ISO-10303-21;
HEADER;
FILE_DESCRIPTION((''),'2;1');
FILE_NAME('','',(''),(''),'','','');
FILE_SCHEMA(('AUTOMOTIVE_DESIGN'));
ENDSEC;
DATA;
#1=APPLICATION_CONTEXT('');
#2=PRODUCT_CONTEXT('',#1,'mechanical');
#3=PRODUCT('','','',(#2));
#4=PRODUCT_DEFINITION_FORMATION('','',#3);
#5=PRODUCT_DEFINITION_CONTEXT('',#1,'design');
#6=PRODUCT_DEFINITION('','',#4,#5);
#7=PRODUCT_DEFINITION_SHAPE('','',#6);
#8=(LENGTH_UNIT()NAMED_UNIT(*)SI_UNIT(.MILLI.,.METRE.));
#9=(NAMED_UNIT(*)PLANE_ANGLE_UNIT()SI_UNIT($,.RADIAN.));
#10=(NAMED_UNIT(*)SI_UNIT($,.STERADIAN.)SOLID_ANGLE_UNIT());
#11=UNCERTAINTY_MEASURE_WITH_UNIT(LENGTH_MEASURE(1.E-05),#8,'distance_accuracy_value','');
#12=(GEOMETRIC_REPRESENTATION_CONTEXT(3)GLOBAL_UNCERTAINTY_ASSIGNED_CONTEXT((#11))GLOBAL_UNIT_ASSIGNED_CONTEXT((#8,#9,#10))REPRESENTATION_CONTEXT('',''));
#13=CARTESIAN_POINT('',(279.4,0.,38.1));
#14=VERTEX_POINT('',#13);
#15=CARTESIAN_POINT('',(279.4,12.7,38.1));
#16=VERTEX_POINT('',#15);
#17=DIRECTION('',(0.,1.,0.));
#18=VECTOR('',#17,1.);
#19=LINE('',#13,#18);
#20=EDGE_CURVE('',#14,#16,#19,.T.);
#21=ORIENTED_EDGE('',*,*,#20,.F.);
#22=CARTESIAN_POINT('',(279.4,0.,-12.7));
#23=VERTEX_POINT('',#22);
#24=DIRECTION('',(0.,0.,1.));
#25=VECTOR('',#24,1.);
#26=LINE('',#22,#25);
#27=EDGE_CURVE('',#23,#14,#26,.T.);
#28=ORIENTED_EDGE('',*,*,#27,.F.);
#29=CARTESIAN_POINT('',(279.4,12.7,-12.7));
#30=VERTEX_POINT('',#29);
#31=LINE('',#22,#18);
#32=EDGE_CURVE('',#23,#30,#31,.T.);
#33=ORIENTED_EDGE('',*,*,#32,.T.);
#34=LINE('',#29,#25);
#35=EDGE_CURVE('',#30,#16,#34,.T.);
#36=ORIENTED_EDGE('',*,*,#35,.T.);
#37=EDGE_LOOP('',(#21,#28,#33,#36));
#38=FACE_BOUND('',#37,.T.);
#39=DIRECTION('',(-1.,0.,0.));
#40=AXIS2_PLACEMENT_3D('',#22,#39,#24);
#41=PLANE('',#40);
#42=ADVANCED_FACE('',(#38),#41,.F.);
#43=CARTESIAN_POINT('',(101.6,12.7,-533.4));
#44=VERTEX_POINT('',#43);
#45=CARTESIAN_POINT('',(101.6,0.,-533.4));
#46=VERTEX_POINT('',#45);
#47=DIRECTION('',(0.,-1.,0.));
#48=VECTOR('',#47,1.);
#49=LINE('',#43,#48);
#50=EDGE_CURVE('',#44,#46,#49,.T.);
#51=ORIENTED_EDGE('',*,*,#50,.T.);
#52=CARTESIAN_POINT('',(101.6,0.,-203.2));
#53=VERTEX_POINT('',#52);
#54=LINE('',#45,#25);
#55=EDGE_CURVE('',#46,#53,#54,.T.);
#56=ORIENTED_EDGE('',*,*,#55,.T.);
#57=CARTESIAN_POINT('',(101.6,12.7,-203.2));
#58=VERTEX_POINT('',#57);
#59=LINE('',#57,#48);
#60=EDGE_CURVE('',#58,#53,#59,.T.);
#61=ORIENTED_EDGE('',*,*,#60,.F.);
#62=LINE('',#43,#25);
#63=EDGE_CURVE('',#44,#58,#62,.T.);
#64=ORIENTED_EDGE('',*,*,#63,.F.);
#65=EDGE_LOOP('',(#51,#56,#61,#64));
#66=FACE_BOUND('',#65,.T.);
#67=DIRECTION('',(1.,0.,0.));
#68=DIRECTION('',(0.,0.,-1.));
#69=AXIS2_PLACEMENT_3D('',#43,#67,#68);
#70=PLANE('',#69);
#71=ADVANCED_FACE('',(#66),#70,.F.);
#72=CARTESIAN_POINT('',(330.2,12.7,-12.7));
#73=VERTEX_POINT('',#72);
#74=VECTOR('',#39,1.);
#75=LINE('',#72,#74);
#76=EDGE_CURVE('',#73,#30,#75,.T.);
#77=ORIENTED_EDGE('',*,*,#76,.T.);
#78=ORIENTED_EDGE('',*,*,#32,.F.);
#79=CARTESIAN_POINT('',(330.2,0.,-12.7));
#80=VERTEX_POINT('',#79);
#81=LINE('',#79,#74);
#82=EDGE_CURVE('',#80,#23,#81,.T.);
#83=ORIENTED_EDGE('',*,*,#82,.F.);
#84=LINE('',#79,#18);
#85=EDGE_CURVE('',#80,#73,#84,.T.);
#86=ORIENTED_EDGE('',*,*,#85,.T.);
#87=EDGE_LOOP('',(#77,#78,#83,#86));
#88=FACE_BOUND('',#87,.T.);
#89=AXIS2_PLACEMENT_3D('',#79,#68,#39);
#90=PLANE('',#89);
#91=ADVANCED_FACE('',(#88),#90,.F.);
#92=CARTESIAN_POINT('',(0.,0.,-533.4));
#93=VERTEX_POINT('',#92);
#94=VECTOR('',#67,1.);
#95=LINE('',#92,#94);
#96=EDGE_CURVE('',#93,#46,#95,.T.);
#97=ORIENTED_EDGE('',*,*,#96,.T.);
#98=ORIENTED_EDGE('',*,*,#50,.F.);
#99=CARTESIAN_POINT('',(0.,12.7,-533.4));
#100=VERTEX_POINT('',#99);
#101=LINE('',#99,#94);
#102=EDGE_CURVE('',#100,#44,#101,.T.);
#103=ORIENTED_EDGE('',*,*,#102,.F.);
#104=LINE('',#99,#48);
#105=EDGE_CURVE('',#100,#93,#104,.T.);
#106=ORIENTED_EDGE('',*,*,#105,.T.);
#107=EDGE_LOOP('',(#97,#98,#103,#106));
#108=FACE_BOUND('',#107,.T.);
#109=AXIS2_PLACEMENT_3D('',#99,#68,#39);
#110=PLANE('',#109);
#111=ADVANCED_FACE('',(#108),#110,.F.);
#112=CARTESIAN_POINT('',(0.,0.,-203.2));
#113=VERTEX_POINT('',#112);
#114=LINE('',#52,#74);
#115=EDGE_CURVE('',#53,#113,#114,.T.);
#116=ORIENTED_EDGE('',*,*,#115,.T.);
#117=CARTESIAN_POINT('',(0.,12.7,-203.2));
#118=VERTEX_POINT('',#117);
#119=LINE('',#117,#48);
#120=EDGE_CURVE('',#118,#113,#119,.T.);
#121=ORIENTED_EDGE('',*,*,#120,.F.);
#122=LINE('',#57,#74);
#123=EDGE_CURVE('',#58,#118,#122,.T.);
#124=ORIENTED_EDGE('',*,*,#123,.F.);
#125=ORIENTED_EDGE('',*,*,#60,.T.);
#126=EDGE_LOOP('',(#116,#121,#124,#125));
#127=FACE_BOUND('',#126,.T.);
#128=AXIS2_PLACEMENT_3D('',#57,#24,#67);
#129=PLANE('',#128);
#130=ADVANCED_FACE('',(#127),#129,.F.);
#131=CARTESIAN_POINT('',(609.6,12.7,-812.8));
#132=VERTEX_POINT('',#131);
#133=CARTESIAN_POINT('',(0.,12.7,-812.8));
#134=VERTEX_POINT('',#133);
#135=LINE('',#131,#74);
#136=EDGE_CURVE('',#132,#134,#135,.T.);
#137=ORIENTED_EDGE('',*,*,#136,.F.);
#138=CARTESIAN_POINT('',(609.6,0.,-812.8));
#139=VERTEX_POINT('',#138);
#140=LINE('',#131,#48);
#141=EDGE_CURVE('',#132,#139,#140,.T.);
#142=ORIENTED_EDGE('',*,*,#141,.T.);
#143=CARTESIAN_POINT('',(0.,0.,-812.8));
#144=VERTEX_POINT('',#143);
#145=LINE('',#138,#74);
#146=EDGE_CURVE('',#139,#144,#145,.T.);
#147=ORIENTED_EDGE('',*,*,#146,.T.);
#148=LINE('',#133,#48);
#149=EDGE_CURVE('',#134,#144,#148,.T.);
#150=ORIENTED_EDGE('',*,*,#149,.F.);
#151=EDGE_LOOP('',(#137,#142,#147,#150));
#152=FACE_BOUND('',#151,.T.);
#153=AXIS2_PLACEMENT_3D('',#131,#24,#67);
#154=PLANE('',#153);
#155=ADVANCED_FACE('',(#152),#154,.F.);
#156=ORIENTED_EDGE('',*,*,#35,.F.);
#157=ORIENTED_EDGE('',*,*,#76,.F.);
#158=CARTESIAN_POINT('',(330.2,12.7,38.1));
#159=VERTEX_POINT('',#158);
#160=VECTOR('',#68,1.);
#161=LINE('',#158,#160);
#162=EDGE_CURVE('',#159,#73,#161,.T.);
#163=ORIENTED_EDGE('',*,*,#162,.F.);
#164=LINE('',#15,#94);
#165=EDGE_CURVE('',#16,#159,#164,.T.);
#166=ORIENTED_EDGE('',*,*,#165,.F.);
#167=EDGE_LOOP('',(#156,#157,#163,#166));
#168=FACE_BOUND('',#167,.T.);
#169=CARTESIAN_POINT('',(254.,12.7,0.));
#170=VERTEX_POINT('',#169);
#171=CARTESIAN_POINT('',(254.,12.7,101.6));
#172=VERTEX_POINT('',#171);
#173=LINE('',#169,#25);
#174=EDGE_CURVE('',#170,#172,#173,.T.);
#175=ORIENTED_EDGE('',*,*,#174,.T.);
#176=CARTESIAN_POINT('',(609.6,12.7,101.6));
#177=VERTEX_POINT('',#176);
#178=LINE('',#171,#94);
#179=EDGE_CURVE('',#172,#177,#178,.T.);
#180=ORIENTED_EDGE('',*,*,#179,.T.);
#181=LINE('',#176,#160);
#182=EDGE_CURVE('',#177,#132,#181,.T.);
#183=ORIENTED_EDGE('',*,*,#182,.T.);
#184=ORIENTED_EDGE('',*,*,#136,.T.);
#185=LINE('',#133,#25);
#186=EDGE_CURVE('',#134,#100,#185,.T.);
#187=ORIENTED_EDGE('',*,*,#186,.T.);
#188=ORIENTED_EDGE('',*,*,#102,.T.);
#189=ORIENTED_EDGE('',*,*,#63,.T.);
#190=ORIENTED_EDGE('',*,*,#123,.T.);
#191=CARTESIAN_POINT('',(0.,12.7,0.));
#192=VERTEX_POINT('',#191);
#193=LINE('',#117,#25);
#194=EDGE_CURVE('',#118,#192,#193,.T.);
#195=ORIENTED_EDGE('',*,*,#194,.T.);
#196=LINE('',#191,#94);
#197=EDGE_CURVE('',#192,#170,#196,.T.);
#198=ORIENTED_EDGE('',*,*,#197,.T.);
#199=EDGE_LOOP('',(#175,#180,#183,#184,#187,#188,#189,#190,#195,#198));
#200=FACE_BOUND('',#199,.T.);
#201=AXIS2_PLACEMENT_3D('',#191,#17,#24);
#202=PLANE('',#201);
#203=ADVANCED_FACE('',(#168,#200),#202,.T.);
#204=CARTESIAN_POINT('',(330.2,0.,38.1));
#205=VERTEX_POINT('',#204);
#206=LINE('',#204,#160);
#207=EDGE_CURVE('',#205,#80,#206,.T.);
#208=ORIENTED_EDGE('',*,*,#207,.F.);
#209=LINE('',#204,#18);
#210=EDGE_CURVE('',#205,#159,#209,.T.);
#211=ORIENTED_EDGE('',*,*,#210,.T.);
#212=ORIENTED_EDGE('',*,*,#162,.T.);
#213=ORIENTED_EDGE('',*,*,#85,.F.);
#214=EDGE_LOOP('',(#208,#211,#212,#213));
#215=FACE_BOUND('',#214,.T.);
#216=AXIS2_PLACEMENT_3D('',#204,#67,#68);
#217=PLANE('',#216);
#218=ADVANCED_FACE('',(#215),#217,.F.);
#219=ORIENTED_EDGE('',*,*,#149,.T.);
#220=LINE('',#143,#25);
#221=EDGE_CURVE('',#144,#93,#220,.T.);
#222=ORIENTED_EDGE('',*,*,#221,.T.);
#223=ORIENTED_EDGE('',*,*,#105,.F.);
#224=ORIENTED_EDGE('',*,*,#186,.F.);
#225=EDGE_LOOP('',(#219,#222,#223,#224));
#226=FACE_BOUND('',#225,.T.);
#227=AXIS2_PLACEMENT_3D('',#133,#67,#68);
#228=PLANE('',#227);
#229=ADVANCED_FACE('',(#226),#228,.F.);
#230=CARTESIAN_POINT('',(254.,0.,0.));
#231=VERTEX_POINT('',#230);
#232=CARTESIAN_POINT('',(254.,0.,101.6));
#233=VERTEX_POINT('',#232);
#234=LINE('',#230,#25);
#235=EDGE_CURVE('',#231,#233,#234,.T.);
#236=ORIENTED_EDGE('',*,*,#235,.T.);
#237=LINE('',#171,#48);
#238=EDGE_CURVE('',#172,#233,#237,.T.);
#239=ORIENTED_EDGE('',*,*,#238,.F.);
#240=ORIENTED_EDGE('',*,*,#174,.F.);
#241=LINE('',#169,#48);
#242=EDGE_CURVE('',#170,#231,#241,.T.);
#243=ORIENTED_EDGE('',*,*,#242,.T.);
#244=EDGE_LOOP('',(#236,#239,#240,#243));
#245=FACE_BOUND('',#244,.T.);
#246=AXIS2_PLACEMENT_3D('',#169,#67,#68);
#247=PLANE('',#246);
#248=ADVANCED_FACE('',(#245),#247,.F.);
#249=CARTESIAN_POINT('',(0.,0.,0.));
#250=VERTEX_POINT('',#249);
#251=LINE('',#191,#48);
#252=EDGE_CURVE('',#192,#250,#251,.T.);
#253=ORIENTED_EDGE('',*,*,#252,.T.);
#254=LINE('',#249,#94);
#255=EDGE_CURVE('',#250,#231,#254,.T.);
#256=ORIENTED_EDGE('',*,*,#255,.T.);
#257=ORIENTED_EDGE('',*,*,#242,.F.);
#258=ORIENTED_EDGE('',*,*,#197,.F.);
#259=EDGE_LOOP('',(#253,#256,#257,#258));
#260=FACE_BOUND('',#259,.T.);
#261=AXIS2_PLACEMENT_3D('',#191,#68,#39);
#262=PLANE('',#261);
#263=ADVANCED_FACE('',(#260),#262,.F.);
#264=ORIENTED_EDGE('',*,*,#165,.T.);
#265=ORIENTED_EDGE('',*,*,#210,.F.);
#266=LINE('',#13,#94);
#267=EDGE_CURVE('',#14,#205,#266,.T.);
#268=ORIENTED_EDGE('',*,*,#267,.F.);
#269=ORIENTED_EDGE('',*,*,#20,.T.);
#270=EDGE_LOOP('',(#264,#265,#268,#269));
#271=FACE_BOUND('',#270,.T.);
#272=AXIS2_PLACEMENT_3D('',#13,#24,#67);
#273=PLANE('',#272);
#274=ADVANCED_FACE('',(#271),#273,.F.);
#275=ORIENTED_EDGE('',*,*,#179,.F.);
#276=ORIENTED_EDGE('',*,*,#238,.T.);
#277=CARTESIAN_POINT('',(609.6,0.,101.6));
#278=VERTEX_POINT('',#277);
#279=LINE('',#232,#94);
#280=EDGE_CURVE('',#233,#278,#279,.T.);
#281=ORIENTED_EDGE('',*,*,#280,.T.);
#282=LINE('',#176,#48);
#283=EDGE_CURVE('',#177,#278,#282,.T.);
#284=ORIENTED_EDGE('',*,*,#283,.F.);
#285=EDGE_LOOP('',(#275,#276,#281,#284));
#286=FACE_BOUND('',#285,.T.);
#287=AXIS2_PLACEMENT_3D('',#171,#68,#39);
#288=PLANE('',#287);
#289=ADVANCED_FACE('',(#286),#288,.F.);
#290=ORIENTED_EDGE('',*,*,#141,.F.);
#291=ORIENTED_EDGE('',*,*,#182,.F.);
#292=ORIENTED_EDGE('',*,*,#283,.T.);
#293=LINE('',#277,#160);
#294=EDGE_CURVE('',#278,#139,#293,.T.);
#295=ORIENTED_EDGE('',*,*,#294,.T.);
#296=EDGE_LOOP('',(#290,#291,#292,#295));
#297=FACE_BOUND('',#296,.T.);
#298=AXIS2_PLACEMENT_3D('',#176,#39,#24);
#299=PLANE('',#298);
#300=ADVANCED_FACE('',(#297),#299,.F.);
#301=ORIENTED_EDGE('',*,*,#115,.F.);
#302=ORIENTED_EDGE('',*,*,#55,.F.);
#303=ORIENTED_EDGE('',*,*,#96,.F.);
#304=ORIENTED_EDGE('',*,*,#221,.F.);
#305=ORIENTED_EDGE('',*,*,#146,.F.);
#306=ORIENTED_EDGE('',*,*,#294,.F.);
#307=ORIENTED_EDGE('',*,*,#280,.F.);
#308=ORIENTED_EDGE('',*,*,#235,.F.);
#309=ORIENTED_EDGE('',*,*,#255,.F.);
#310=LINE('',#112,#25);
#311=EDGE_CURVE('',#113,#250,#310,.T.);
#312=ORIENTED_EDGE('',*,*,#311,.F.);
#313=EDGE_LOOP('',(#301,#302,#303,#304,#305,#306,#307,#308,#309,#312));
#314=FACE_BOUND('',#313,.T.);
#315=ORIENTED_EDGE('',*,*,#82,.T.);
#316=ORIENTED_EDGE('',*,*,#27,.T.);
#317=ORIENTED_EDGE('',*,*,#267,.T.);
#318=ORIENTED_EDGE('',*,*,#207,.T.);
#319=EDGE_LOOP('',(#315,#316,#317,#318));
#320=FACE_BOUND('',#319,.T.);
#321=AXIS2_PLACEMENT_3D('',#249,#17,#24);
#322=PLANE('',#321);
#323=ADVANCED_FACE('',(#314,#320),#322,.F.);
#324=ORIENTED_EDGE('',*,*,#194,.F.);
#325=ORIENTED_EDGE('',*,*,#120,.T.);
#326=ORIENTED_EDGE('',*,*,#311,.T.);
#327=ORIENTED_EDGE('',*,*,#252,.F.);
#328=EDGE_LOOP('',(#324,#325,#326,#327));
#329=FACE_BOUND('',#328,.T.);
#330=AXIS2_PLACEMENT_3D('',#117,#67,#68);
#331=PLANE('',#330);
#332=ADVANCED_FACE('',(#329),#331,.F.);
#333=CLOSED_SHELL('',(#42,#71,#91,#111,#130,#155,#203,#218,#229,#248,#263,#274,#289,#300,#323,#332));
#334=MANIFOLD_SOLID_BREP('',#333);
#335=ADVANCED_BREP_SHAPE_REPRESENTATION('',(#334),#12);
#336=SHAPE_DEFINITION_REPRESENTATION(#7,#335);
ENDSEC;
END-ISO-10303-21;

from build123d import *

# Parameters (mm, degrees)
BOSS_EXTRUDE1_DEPTH = 12.7
SKETCH3_W           = 50.8
SKETCH3_H           = 50.8
CUT_EXTRUDE1_DEPTH  = 12.7


with BuildPart() as part:
    # Sketch2 → Boss-Extrude1 (new body)
    with BuildSketch(Plane(origin=(0, 0, 0), x_dir=(1, 0, 0), z_dir=(0, 1, 0))):
        Polygon((0, 0), (254, 0), (254, -101.6), (609.6, -101.6), (609.6, 812.8), (0, 812.8), (0, 533.4), (101.6, 533.4), (101.6, 203.2), (0, 203.2), align=None)
    extrude(amount=BOSS_EXTRUDE1_DEPTH)

    # Sketch3 → Cut-Extrude1 (cut)
    with BuildSketch(Plane(origin=(0, 12.7, 0), x_dir=(1, 0, 0), z_dir=(0, 1, 0))):
        with Locations((304.8, -12.7)):
            Rectangle(SKETCH3_W, SKETCH3_H)
    extrude(amount=-CUT_EXTRUDE1_DEPTH, mode=Mode.SUBTRACT)


solid = part.part
